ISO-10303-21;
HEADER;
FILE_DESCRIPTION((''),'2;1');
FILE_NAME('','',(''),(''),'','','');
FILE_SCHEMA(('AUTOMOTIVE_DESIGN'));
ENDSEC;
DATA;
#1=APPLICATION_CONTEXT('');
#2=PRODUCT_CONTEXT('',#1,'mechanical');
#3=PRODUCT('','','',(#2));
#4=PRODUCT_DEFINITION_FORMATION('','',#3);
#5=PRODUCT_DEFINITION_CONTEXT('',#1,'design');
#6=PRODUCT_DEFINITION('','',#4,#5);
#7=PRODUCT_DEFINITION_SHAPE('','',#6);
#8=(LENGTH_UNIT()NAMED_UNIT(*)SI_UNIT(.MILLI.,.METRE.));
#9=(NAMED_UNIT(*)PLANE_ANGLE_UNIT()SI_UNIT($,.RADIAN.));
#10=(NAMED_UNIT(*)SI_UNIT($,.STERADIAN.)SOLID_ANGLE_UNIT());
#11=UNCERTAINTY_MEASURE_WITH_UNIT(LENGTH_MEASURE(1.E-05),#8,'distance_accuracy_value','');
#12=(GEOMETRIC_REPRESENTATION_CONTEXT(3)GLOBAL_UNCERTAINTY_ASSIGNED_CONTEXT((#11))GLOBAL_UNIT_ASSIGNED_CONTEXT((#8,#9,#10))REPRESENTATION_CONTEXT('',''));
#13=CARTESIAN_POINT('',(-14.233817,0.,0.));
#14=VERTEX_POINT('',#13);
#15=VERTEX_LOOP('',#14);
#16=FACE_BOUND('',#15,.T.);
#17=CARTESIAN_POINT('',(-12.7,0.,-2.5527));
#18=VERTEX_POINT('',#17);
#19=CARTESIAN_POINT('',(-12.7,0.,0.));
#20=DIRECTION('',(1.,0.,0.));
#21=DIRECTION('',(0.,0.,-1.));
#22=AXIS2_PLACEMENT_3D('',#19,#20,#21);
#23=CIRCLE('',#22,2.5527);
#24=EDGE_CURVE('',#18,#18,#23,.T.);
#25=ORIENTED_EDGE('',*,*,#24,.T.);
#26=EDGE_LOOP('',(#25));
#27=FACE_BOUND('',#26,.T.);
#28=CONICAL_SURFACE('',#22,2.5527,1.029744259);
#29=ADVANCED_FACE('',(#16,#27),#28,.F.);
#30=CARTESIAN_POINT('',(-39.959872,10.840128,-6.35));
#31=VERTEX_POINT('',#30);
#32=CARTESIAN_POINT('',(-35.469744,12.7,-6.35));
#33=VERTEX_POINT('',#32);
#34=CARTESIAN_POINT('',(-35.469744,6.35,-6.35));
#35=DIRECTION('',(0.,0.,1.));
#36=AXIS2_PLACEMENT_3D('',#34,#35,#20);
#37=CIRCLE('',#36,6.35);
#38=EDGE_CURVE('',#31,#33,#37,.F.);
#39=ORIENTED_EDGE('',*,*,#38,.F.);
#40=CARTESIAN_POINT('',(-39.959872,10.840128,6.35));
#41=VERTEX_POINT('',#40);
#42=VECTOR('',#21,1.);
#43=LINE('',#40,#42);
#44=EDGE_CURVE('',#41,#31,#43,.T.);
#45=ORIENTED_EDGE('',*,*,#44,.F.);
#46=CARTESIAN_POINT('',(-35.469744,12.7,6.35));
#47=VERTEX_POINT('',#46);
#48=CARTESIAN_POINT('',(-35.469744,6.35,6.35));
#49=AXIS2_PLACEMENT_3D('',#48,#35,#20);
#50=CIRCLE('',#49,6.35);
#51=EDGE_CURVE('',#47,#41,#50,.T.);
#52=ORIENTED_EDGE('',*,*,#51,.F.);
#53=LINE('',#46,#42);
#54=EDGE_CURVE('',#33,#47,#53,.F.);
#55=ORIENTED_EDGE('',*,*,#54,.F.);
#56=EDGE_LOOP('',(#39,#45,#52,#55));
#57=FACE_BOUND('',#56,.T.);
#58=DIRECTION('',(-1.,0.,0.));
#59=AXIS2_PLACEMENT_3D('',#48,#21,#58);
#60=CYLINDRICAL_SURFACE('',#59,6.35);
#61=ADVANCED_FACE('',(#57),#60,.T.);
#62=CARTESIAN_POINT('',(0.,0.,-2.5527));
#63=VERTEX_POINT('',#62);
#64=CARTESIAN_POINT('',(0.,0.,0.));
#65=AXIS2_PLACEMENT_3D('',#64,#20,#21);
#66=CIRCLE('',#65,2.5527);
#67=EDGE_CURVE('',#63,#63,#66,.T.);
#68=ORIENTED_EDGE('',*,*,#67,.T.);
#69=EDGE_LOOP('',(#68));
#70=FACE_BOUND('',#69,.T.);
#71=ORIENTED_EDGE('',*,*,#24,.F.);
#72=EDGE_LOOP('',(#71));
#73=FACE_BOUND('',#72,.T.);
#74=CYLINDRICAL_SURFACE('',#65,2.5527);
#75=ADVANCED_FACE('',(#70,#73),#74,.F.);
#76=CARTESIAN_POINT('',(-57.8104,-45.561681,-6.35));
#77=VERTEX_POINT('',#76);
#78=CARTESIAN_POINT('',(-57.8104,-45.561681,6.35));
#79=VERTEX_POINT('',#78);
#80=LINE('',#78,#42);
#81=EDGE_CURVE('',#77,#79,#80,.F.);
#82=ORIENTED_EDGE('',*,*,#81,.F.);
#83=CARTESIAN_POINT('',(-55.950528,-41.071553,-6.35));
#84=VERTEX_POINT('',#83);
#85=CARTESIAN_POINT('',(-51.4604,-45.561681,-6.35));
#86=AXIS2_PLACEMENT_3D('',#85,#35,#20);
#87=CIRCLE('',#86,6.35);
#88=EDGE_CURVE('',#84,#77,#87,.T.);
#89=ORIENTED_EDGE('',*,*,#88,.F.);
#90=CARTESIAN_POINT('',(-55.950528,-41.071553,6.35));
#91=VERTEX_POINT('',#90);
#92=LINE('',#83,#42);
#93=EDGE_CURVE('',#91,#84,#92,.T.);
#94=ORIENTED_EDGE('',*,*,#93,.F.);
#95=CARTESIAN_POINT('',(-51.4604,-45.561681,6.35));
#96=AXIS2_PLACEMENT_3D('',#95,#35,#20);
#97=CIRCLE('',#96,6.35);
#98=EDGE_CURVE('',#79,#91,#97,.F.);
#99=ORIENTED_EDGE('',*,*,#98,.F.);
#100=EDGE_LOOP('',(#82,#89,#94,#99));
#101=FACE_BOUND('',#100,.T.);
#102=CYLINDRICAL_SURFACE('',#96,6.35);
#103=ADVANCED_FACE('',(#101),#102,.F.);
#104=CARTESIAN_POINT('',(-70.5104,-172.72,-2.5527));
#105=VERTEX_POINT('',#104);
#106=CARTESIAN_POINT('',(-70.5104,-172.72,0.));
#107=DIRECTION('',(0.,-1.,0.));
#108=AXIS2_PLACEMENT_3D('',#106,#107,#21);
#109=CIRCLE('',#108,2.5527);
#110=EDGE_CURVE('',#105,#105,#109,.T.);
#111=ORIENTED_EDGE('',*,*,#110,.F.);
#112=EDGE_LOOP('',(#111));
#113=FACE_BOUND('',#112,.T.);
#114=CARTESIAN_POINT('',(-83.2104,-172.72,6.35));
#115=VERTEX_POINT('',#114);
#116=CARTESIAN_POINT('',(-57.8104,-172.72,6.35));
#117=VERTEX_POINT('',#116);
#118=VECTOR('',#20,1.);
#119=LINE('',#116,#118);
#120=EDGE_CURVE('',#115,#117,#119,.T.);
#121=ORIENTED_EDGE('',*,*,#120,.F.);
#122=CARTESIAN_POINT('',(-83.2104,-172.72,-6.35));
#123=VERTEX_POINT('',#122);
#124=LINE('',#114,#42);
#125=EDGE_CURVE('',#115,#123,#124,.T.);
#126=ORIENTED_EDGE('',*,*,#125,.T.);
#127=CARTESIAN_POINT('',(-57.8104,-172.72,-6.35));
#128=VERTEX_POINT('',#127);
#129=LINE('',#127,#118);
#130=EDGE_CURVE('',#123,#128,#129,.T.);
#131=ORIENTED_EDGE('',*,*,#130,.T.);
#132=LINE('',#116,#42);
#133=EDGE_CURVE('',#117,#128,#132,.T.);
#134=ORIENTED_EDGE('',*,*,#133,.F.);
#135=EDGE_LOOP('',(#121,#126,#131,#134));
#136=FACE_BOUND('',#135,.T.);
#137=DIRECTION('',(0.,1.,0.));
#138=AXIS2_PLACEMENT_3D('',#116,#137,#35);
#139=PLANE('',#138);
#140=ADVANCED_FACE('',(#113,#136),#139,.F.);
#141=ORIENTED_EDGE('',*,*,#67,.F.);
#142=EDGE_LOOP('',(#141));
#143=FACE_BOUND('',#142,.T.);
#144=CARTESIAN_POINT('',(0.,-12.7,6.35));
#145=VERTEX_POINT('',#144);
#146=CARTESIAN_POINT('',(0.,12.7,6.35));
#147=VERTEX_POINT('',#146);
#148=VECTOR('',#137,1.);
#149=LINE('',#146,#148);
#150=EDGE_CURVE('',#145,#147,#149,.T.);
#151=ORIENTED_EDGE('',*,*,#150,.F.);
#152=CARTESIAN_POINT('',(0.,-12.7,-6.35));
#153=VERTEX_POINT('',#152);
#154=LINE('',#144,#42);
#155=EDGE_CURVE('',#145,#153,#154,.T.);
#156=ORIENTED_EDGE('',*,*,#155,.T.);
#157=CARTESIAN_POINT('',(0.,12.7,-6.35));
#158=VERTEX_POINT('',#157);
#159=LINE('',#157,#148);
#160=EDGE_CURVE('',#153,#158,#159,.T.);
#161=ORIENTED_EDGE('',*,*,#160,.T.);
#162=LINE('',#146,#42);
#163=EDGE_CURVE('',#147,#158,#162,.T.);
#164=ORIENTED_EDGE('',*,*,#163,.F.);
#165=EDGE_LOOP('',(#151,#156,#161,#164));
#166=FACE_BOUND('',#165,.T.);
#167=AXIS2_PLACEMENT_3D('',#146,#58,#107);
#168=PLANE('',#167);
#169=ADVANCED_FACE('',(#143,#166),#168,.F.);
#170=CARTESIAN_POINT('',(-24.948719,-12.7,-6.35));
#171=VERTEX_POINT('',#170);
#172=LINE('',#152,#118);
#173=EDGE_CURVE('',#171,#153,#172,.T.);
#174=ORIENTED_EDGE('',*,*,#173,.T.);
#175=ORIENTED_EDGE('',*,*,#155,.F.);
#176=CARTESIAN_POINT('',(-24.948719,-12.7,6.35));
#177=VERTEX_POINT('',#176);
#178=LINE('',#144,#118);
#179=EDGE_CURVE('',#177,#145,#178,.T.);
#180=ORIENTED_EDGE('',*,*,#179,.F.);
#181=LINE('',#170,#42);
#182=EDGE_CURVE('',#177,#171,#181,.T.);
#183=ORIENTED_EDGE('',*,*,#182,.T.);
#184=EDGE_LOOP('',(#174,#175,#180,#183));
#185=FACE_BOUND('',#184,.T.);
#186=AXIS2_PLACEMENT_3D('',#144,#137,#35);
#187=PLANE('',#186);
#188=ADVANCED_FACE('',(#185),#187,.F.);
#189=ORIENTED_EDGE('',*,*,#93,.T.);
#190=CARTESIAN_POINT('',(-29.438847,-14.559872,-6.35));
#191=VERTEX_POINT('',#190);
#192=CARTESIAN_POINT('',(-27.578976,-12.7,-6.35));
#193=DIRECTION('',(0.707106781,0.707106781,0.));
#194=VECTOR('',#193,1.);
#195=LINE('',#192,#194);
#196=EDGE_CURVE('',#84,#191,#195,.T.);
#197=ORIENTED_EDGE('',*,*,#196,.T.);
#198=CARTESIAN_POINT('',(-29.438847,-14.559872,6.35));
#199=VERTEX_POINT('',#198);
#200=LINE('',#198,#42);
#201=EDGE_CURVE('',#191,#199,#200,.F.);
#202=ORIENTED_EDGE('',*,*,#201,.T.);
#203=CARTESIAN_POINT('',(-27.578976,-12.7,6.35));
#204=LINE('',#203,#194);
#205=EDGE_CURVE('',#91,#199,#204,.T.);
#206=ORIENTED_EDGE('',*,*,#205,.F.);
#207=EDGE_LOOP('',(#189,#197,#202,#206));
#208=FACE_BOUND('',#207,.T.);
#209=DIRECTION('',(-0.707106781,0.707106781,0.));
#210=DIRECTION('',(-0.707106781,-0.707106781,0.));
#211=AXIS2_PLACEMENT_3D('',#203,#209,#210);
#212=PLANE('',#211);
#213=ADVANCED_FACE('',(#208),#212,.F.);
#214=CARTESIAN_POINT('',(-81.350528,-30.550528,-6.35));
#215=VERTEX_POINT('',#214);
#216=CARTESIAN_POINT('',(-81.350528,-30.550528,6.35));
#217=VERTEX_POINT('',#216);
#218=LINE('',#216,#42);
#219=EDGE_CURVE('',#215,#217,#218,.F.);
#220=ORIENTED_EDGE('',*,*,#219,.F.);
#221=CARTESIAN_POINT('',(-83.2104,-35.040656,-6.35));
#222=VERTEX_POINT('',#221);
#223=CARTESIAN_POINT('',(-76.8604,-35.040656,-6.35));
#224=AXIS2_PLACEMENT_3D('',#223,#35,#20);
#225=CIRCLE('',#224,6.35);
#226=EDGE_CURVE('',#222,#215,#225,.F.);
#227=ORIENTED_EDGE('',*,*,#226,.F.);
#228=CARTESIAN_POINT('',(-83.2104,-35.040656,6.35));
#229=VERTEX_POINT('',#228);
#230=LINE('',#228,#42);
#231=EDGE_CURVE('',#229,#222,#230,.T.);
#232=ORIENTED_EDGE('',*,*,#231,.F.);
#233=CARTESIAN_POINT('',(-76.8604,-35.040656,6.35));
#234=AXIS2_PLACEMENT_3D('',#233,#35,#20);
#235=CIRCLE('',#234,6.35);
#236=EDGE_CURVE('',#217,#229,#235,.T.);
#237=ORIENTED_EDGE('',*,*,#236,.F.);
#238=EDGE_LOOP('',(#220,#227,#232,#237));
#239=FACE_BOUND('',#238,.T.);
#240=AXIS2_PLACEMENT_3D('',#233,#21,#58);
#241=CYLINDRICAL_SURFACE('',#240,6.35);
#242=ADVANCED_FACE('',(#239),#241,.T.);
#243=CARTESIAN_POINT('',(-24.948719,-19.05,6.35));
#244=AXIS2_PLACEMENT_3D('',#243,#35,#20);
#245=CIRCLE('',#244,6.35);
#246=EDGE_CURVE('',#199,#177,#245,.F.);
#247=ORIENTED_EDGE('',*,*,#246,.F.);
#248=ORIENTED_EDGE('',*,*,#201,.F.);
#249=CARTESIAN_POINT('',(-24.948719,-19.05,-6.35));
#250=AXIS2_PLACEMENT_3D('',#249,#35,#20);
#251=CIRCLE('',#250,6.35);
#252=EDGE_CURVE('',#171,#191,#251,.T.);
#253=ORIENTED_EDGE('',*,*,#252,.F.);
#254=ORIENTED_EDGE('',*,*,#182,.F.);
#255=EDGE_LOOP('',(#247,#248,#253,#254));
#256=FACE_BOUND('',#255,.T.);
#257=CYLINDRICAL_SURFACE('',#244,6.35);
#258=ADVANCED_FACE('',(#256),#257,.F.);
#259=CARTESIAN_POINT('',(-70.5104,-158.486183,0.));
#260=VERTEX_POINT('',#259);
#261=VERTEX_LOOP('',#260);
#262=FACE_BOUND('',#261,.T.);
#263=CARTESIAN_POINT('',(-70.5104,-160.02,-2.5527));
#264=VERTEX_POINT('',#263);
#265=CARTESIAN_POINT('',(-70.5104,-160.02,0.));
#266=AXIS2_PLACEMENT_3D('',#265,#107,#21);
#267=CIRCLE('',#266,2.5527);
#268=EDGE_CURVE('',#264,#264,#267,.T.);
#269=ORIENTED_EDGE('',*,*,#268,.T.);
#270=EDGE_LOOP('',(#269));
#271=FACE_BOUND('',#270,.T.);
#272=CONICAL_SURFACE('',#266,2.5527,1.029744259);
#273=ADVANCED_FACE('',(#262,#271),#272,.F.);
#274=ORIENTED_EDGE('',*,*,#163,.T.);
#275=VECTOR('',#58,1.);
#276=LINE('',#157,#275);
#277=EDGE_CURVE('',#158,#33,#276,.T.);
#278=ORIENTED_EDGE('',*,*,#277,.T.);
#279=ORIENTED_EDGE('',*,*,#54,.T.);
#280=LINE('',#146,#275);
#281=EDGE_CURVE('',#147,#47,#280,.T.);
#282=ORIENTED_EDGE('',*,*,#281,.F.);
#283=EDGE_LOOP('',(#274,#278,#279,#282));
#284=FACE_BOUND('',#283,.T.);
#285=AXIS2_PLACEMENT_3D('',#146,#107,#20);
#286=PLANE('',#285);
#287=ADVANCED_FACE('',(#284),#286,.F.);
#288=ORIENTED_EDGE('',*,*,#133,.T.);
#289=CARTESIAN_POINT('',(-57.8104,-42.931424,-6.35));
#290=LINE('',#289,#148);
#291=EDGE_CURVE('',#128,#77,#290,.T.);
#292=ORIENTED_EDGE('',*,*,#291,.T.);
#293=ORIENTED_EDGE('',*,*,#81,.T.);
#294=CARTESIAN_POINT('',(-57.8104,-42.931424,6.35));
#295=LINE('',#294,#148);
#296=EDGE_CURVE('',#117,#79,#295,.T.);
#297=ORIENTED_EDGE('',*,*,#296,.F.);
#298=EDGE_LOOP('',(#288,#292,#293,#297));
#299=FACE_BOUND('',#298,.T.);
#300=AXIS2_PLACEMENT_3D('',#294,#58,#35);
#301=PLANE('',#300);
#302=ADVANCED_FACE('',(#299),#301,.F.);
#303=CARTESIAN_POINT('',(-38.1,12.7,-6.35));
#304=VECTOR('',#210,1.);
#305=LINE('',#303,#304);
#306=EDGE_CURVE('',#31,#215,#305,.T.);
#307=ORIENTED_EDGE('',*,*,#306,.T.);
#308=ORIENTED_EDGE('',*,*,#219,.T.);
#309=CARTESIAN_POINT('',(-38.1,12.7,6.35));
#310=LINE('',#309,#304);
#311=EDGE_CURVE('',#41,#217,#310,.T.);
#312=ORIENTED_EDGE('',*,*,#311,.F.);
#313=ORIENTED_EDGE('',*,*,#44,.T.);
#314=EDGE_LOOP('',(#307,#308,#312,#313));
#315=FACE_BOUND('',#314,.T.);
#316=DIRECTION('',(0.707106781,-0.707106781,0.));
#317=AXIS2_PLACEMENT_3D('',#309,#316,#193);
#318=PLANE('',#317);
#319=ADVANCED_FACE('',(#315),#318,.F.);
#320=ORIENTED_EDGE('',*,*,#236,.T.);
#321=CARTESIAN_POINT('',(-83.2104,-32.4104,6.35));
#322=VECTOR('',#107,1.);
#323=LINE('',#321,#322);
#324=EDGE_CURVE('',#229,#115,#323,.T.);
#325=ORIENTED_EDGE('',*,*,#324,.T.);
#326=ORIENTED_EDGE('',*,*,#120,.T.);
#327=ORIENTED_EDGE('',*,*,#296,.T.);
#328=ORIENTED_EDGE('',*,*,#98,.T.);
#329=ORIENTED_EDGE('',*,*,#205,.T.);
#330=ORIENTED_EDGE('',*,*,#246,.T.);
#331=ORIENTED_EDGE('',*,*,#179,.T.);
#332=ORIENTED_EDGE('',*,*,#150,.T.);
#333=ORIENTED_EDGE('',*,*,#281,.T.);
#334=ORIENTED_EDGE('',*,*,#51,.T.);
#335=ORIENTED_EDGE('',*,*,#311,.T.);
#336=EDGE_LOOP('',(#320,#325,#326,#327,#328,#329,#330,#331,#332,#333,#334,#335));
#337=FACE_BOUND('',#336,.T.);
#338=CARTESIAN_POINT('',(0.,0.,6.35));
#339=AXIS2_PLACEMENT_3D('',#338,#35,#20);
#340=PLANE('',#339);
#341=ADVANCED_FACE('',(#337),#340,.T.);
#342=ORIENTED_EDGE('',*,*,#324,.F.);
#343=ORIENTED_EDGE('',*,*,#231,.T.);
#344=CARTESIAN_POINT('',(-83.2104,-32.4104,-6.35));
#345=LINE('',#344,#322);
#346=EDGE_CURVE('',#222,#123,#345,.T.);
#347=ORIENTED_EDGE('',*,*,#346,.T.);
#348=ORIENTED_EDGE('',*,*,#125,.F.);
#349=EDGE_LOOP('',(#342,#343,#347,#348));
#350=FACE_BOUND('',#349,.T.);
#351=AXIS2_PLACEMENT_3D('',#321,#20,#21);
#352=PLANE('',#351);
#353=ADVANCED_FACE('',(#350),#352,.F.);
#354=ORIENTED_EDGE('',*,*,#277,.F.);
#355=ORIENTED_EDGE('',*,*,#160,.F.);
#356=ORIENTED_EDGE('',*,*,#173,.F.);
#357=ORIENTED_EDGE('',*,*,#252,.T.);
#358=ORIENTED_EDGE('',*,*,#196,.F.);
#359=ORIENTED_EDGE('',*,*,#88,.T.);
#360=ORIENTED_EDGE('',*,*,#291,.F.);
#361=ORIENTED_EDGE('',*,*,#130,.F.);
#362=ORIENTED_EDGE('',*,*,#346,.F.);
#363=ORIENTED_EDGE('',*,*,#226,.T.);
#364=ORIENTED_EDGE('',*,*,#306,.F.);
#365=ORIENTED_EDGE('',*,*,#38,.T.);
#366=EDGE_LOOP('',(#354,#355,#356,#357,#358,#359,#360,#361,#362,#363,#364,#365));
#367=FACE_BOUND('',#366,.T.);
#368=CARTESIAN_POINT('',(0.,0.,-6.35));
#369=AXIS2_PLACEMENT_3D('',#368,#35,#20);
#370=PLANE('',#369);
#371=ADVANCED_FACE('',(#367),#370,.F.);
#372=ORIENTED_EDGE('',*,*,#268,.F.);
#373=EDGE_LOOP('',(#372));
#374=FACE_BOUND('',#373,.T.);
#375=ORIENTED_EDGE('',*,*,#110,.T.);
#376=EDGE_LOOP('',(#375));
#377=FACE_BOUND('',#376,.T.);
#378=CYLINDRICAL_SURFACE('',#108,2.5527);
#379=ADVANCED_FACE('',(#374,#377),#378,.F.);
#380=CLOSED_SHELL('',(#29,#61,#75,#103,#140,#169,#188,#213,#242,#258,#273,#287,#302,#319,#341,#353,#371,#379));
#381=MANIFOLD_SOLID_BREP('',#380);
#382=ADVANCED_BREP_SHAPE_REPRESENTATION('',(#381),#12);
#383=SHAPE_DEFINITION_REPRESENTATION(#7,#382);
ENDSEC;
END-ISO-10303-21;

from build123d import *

# Parameters (mm, degrees)
BOSS_EXTRUDE1_DEPTH             = 6.35
FILLET1_R                       = 6.35
TAP_DRILL_FOR_1_4_20_TAP1_D     = 5.1054
TAP_DRILL_FOR_1_4_20_TAP1_DEPTH = 12.7
TAP_DRILL_FOR_1_4_20_TAP1_TIP   = 1.533816902
TAP_DRILL_FOR_1_4_20_TAP2_D     = 5.1054
TAP_DRILL_FOR_1_4_20_TAP2_DEPTH = 12.7
TAP_DRILL_FOR_1_4_20_TAP2_TIP   = 1.533816902


with BuildPart() as part:
    # Sketch1 → Boss-Extrude1 (new, symmetric)
    with BuildSketch(Plane.XY):
        Polygon((0, 12.7), (0, -12.7), (-27.578975516, -12.7), (-57.8104, -42.931424484), (-57.8104, -172.72), (-83.2104, -172.72), (-83.2104, -32.4104), (-38.1, 12.7), align=None)
    extrude(amount=BOSS_EXTRUDE1_DEPTH, both=True)

    # Fillet1
    fillet1_edges = [part.edges().sort_by_distance(p)[0] for p in [
        (-27.578975516, -12.7, 0),
        (-57.8104, -42.931424484, 0),
        (-83.2104, -32.4104, 0),
        (-38.1, 12.7, 0),
    ]]
    fillet(fillet1_edges, radius=FILLET1_R)

    # Tap Drill for 1/4-20 Tap1
    with Locations(Plane(origin=(0, 0, 0), x_dir=(0, 0, -1), z_dir=(1, 0, 0))):
        with Locations((0, 0)):
            Hole(TAP_DRILL_FOR_1_4_20_TAP1_D / 2, depth=TAP_DRILL_FOR_1_4_20_TAP1_DEPTH)
            with Locations((0, 0, -(TAP_DRILL_FOR_1_4_20_TAP1_DEPTH + TAP_DRILL_FOR_1_4_20_TAP1_TIP / 2))):  # 118° drill point
                Cone(0, TAP_DRILL_FOR_1_4_20_TAP1_D / 2, TAP_DRILL_FOR_1_4_20_TAP1_TIP, mode=Mode.SUBTRACT)

    # Tap Drill for 1/4-20 Tap2
    with Locations(Plane(origin=(0, -172.72, 0), x_dir=(-1, 0, 0), z_dir=(0, -1, 0))):
        with Locations((70.5104, 0)):
            Hole(TAP_DRILL_FOR_1_4_20_TAP2_D / 2, depth=TAP_DRILL_FOR_1_4_20_TAP2_DEPTH)
            with Locations((0, 0, -(TAP_DRILL_FOR_1_4_20_TAP2_DEPTH + TAP_DRILL_FOR_1_4_20_TAP2_TIP / 2))):  # 118° drill point
                Cone(0, TAP_DRILL_FOR_1_4_20_TAP2_D / 2, TAP_DRILL_FOR_1_4_20_TAP2_TIP, mode=Mode.SUBTRACT)


solid = part.part
